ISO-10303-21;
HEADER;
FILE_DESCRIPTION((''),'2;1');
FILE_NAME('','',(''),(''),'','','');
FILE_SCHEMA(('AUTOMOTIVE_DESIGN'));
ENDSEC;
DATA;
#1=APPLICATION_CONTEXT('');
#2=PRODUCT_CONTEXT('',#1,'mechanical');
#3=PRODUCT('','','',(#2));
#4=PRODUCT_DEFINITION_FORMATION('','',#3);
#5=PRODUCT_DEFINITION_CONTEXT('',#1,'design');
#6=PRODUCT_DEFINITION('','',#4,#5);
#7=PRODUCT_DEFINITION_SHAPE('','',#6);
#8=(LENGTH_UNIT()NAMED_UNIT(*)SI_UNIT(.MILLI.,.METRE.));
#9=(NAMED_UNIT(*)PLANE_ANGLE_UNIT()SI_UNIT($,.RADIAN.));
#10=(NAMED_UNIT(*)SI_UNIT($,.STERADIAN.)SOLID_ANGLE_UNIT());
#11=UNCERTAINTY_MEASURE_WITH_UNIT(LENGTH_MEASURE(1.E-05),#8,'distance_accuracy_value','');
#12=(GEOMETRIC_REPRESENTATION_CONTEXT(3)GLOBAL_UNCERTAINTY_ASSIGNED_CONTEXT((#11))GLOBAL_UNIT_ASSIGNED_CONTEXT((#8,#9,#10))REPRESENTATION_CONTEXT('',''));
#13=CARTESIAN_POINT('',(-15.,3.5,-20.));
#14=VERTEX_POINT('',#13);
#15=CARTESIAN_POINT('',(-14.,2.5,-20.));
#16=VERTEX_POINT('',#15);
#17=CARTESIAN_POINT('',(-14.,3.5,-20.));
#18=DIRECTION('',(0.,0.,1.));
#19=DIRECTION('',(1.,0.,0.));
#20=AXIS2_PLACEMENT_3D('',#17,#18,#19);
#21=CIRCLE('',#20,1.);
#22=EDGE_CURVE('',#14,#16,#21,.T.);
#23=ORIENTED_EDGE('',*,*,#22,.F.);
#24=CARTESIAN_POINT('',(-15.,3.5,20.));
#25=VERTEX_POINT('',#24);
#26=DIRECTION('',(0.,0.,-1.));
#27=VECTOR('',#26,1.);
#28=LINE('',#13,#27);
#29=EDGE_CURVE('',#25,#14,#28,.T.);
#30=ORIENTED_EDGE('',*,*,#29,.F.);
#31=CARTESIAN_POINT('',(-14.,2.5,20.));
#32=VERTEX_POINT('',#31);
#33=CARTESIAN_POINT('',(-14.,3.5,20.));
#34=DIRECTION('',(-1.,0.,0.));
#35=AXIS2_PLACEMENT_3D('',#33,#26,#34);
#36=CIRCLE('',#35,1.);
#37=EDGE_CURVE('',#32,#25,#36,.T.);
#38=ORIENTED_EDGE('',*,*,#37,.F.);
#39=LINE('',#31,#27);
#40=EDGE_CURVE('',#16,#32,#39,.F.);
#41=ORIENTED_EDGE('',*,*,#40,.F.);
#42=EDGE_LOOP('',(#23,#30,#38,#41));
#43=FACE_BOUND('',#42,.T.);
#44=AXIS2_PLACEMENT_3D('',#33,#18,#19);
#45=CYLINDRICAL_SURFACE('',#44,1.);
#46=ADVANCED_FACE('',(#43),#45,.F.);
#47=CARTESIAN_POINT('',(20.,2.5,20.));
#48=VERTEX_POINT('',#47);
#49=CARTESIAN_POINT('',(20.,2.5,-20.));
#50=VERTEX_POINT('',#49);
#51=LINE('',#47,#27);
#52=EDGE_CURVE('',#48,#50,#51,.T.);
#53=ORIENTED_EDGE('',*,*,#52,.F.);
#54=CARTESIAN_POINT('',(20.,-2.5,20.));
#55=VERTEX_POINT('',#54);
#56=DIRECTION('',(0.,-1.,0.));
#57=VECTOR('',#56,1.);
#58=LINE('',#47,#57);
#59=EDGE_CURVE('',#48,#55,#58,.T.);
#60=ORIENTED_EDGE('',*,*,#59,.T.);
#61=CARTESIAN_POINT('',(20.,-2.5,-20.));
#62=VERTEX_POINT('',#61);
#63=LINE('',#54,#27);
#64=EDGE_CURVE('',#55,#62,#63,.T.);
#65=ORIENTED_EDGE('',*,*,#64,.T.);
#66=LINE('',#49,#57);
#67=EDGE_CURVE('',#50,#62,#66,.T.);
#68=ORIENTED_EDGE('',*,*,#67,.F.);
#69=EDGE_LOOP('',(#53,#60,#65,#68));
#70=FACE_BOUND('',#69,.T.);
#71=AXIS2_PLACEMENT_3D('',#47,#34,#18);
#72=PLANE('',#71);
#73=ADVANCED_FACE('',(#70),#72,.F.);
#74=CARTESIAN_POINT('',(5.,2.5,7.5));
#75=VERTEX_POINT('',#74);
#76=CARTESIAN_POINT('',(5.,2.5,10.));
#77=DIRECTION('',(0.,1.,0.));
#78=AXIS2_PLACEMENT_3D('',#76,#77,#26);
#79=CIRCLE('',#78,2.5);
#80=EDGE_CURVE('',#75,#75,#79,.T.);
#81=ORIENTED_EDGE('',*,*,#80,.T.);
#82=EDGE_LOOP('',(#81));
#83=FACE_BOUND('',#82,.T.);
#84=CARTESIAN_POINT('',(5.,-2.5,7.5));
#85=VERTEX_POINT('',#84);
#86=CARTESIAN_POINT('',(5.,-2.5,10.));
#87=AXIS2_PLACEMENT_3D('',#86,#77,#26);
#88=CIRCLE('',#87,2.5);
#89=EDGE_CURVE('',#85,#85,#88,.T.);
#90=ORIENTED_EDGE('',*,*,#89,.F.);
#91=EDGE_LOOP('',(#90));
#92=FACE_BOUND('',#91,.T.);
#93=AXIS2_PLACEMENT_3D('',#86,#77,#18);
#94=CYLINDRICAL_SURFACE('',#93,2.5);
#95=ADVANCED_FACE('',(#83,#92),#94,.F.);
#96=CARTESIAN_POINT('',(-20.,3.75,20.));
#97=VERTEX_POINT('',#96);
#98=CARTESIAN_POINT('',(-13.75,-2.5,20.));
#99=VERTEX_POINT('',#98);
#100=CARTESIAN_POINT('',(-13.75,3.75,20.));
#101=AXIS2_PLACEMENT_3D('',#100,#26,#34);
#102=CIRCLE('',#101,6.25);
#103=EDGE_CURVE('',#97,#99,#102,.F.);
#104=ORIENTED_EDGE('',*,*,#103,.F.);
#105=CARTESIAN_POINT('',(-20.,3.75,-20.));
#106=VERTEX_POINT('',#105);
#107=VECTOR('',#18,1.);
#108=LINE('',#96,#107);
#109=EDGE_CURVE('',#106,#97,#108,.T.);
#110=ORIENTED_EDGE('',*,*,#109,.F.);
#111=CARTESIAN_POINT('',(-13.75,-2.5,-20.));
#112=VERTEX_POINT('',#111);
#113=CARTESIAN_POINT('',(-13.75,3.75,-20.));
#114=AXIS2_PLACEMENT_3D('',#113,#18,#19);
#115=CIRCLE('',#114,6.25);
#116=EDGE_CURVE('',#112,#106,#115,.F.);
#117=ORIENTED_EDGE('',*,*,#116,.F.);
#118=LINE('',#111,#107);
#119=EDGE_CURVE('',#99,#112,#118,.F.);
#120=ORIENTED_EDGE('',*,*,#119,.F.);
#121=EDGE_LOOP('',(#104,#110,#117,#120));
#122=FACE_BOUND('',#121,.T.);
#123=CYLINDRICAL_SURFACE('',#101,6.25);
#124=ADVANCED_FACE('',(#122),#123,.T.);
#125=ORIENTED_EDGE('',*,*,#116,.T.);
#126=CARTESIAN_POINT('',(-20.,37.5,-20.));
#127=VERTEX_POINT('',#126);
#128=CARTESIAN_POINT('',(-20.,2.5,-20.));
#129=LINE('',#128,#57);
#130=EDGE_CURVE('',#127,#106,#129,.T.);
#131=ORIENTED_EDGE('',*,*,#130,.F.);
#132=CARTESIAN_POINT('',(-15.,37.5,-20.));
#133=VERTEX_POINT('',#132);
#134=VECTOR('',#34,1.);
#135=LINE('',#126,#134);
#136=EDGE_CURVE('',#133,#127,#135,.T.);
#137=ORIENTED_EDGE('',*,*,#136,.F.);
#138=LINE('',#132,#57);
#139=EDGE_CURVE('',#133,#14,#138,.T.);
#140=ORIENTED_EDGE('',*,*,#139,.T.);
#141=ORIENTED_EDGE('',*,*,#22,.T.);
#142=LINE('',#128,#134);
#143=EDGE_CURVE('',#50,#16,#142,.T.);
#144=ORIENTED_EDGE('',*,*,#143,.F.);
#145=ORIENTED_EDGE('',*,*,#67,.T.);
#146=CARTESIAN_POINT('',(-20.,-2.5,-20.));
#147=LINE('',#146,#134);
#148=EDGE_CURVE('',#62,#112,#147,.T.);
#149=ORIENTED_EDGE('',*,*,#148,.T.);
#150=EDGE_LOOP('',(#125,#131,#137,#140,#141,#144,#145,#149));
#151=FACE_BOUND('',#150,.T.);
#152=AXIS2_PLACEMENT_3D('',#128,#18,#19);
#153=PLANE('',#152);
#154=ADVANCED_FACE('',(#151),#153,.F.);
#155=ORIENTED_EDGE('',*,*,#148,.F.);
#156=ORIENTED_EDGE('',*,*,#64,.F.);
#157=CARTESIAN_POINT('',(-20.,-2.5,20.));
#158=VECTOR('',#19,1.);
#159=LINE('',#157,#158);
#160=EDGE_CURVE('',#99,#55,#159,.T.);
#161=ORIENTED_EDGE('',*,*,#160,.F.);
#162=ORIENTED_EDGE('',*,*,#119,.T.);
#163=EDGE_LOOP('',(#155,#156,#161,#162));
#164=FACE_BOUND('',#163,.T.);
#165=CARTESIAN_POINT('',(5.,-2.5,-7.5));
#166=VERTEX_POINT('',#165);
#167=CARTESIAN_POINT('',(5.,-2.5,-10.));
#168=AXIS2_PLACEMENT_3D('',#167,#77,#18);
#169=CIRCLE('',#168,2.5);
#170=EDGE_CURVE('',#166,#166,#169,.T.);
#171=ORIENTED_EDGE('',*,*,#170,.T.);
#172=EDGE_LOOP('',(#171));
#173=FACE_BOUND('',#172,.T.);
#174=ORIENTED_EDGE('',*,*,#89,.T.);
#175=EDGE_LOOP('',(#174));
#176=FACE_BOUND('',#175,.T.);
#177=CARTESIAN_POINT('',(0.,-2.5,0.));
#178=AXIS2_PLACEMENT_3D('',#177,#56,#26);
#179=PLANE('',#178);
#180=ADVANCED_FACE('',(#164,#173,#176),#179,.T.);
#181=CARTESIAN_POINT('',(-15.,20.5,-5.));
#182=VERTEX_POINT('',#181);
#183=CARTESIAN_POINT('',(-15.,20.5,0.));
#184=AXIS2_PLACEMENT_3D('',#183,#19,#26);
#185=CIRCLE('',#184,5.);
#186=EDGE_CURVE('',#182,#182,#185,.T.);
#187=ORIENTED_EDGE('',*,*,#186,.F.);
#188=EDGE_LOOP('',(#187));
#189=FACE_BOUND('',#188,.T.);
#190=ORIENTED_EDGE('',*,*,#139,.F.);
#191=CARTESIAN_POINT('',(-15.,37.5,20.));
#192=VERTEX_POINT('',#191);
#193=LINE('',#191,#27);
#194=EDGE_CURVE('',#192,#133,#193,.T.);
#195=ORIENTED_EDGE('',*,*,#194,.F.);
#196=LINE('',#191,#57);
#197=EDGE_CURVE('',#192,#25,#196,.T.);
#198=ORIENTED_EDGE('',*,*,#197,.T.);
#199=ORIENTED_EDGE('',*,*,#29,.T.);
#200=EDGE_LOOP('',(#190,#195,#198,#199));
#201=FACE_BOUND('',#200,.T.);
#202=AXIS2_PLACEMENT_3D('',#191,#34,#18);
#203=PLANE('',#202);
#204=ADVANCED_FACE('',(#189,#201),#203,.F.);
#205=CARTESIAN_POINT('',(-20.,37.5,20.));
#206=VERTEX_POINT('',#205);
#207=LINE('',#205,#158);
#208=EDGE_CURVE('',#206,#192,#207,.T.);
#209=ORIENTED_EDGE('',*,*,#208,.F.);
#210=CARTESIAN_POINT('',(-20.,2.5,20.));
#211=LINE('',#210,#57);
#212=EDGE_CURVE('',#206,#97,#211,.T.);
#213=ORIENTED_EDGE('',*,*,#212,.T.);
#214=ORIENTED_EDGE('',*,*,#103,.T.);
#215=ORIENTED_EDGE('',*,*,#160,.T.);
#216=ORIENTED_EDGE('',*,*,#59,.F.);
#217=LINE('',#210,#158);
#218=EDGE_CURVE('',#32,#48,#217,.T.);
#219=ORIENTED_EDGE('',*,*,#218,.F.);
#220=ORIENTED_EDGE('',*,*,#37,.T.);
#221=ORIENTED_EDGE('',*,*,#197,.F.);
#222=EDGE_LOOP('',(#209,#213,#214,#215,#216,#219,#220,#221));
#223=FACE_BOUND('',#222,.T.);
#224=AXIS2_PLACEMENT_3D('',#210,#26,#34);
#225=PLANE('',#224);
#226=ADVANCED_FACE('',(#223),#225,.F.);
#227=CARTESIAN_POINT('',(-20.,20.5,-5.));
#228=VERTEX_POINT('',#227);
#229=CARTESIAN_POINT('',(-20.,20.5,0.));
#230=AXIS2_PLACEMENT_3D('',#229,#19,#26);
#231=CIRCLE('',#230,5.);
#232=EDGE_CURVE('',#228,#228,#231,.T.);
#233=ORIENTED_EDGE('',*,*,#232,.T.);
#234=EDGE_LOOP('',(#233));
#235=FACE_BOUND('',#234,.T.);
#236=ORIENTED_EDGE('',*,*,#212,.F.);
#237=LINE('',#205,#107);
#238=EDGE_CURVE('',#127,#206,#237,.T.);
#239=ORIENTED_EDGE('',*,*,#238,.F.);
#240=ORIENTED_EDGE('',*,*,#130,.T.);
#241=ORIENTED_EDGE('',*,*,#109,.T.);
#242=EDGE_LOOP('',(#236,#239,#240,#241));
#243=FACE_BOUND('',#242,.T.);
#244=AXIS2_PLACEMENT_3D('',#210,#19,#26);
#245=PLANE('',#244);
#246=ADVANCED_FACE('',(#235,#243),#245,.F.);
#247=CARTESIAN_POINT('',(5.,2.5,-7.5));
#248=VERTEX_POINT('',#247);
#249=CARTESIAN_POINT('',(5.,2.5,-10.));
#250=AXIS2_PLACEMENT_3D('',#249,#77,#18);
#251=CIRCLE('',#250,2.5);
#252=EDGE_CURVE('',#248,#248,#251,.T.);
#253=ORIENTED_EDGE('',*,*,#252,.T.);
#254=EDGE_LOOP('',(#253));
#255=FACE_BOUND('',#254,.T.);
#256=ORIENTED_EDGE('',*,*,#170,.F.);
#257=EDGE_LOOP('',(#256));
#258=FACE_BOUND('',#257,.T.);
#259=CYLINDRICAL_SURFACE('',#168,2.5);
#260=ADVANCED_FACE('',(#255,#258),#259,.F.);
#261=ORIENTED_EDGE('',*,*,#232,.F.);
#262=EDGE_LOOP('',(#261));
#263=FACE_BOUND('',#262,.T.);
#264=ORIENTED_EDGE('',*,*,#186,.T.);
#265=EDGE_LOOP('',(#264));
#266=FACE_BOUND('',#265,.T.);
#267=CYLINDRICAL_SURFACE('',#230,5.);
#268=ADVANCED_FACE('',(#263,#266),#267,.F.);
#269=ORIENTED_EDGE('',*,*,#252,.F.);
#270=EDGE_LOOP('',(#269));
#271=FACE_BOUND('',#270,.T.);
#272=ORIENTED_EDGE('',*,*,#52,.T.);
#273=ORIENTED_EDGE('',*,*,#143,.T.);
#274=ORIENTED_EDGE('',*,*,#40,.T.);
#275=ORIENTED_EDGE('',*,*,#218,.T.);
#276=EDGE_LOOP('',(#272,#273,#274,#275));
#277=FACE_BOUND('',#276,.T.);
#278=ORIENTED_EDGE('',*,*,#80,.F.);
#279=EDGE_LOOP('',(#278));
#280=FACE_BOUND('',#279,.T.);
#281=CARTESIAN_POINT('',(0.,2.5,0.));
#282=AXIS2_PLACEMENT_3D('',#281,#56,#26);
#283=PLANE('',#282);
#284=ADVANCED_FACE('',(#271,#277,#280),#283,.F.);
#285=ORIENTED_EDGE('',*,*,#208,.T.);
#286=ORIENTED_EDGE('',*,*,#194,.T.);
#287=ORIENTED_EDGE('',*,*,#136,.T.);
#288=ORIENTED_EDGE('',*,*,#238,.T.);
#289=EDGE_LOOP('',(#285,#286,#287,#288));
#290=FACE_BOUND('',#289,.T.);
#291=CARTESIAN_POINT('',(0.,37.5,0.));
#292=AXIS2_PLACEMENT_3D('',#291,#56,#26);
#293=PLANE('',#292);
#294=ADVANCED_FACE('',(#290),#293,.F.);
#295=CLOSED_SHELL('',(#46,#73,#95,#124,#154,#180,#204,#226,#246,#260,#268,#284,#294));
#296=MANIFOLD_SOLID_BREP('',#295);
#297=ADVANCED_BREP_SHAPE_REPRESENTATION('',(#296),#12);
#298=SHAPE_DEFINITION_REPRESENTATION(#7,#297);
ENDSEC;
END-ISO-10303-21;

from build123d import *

# Parameters (mm, degrees)
SKETCH1_W           = 40
SKETCH1_H           = 40
BOSS_EXTRUDE1_DEPTH = 2.5
SKETCH2_W           = 5
SKETCH2_H           = 40
BOSS_EXTRUDE2_DEPTH = 35
FILLET2_R           = 6.25
FILLET3_R           = 1
SKETCH3_R           = 2.5
CUT_EXTRUDE1_DEPTH  = 5
SKETCH4_R           = 5
CUT_EXTRUDE2_DEPTH  = 5


with BuildPart() as part:
    # Sketch1 → Boss-Extrude1 (new body, symmetric)
    with BuildSketch(Plane(origin=(0, 0, 0), x_dir=(1, 0, 0), z_dir=(0, 1, 0))):
        Rectangle(SKETCH1_W, SKETCH1_H)
    extrude(amount=BOSS_EXTRUDE1_DEPTH, both=True)

    # Sketch2 → Boss-Extrude2 (add)
    with BuildSketch(Plane(origin=(0, 2.5, 0), x_dir=(1, 0, 0), z_dir=(0, 1, 0))):
        with Locations((-17.5, 0)):
            Rectangle(SKETCH2_W, SKETCH2_H)
    extrude(amount=BOSS_EXTRUDE2_DEPTH)

    # Fillet2
    fillet2_edges = [part.edges().sort_by_distance(p)[0] for p in [
        (-20, -2.5, 0),
    ]]
    fillet(fillet2_edges, radius=FILLET2_R)

    # Fillet3
    fillet3_edges = [part.edges().sort_by_distance(p)[0] for p in [
        (-15, 2.5, 0),
    ]]
    fillet(fillet3_edges, radius=FILLET3_R)

    # Sketch3 → Cut-Extrude1 (cut)
    with BuildSketch(Plane(origin=(0, 2.5, 0), x_dir=(1, 0, 0), z_dir=(0, 1, 0))):
        with Locations((5, 10)):
            Circle(SKETCH3_R)
        with Locations((5, -10)):
            Circle(SKETCH3_R)
    extrude(amount=-CUT_EXTRUDE1_DEPTH, mode=Mode.SUBTRACT)

    # Sketch4 → Cut-Extrude2 (cut)
    with BuildSketch(Plane(origin=(-15, 0, 0), x_dir=(0, 0, -1), z_dir=(1, 0, 0))):
        with Locations((0, 20.5)):
            Circle(SKETCH4_R)
    extrude(amount=-CUT_EXTRUDE2_DEPTH, mode=Mode.SUBTRACT)


solid = part.part
